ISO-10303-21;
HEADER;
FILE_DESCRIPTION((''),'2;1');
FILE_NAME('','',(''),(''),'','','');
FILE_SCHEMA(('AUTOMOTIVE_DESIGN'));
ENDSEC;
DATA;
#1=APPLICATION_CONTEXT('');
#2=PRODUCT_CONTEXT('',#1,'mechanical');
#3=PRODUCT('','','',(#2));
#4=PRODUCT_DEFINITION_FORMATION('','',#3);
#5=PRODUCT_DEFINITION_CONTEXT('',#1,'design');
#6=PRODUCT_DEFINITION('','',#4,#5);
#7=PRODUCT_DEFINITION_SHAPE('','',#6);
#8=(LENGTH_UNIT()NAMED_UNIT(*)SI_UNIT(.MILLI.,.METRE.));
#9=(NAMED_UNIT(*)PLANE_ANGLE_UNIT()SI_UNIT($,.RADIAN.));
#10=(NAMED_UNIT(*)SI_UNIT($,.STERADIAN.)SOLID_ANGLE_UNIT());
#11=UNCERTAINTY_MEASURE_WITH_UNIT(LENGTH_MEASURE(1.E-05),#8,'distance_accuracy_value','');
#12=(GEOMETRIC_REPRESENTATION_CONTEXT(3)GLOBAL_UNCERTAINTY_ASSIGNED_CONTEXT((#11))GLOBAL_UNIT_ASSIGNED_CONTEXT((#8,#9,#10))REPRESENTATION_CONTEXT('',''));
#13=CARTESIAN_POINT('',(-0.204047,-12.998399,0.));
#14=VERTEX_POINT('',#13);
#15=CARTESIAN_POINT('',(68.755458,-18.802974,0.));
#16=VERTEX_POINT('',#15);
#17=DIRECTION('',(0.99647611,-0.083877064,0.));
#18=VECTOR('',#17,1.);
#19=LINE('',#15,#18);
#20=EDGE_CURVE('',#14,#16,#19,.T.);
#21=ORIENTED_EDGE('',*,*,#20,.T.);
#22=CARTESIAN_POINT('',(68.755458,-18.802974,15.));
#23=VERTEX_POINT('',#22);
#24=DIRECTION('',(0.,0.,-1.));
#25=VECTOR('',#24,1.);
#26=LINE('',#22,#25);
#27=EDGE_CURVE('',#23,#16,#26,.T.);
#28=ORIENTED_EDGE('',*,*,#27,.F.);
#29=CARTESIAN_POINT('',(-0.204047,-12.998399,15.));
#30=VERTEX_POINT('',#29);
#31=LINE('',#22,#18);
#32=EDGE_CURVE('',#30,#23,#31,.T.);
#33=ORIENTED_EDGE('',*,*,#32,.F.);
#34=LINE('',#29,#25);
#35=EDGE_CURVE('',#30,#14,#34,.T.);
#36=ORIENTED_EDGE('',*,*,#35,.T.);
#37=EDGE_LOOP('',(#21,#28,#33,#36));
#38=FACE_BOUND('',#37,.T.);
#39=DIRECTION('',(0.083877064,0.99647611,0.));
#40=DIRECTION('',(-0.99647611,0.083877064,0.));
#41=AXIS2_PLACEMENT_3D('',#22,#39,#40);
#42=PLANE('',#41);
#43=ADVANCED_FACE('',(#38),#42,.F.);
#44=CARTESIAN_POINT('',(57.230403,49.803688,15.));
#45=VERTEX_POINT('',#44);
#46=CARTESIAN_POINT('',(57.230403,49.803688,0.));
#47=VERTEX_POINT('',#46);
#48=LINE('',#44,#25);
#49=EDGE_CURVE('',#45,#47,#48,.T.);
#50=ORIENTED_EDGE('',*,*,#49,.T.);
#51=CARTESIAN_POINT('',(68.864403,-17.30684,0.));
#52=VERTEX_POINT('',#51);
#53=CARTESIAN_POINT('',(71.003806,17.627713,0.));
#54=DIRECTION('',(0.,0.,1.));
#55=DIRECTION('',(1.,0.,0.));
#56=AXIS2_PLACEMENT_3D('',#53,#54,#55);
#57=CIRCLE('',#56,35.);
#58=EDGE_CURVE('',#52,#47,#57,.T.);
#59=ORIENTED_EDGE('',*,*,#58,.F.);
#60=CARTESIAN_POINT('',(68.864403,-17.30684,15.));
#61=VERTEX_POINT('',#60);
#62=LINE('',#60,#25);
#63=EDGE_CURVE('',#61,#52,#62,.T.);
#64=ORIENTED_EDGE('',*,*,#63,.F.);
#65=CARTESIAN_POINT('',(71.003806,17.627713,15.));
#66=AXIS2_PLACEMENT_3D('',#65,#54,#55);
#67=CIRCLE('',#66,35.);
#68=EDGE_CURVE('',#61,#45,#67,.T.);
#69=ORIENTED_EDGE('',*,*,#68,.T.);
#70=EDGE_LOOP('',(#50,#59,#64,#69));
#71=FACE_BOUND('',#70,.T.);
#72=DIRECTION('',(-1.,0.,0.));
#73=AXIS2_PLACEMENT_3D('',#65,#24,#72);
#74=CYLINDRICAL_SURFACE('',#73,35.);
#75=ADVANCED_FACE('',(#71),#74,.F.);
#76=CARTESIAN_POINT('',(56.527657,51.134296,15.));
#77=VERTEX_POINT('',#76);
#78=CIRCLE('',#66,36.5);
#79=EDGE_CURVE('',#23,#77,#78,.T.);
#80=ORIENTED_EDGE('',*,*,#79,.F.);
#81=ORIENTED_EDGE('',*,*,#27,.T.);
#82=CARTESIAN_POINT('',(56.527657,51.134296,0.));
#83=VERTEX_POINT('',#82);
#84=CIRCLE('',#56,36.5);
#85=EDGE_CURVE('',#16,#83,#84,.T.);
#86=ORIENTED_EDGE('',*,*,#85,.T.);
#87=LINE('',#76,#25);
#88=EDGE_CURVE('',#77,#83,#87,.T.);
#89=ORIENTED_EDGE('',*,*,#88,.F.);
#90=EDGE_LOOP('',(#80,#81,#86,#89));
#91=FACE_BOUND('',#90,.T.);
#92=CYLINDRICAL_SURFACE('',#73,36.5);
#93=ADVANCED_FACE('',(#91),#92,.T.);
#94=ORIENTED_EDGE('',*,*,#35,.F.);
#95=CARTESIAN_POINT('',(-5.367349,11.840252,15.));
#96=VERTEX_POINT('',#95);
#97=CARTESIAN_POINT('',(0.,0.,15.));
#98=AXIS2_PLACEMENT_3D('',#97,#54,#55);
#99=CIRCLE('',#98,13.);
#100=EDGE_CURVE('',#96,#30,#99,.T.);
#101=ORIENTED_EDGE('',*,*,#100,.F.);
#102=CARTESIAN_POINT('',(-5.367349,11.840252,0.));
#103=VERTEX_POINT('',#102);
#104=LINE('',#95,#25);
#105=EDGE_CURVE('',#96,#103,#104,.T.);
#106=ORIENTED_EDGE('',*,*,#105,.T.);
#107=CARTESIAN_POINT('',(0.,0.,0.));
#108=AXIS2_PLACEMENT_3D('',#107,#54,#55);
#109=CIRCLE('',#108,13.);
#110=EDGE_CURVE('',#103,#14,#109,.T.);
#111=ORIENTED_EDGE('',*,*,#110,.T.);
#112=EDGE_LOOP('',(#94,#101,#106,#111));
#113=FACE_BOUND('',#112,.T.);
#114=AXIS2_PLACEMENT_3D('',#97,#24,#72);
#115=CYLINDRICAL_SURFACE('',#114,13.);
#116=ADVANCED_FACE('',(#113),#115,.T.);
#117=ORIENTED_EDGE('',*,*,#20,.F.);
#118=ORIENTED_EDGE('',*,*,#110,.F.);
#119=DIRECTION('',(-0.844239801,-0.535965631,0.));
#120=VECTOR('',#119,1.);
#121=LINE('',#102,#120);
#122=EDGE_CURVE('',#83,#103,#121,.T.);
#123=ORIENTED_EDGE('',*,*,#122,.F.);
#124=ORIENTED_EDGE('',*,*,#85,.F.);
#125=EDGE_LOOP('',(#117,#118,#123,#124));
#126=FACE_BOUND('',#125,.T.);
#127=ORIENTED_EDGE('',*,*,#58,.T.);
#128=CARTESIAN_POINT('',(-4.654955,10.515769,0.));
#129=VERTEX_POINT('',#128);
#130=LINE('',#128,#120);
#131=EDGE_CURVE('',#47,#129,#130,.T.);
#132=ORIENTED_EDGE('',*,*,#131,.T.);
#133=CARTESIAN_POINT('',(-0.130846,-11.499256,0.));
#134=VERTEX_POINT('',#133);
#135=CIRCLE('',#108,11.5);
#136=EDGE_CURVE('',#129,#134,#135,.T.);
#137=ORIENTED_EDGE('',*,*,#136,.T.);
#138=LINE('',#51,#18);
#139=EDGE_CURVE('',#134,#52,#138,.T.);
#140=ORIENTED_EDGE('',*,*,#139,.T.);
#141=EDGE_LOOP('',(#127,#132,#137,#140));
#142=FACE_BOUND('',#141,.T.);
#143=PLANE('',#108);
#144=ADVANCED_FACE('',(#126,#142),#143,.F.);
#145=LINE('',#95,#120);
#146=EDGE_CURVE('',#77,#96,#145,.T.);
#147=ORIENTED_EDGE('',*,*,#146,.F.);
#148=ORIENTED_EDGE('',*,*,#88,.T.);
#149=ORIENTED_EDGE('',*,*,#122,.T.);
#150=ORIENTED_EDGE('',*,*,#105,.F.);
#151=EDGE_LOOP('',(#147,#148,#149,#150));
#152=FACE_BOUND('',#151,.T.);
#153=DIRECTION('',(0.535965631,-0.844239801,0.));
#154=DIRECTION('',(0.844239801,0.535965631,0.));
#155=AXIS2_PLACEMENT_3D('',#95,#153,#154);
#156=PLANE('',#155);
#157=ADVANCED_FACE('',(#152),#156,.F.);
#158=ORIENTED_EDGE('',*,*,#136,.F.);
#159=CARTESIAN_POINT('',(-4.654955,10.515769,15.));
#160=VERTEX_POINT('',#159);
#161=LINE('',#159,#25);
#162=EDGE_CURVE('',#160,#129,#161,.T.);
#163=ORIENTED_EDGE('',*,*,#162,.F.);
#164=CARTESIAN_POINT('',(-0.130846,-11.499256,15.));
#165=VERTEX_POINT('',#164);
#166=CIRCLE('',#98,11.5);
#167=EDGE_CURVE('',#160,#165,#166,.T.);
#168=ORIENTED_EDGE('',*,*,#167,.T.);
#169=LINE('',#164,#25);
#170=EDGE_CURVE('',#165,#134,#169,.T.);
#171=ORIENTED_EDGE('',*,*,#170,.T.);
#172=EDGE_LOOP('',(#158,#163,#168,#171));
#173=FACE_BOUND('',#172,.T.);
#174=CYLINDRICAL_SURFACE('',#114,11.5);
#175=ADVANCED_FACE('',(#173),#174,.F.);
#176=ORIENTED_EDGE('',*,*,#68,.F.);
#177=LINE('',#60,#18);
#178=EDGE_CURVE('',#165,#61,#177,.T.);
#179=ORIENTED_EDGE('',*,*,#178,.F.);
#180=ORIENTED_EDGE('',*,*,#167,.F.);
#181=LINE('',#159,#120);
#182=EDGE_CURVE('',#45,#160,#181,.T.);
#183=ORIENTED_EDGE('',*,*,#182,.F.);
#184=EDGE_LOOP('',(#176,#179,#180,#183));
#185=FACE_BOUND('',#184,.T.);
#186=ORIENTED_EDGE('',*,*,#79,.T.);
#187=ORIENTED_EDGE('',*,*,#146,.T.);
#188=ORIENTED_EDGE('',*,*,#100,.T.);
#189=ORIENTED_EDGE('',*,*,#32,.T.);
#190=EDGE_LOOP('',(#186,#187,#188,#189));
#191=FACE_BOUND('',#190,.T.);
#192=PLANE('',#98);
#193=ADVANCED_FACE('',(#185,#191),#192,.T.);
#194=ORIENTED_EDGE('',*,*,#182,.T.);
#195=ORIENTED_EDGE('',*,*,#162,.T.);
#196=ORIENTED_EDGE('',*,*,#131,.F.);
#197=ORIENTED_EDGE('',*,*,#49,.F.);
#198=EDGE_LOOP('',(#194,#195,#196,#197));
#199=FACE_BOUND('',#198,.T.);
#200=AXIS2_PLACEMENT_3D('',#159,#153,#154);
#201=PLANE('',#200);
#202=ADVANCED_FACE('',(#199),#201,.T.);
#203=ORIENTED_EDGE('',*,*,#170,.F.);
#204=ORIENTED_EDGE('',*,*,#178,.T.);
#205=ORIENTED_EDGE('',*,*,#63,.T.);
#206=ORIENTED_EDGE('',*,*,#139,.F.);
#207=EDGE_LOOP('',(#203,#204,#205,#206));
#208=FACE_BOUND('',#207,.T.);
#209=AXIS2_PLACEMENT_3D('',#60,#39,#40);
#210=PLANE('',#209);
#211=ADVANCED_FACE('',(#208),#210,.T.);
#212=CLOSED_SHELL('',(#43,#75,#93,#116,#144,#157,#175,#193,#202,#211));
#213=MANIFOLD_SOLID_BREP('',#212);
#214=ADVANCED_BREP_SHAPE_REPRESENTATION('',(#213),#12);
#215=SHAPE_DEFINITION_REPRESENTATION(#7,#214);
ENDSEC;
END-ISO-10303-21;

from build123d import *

# Parameters (mm, degrees)
BOSS_EXTRUDE1_DEPTH = 15


with BuildPart() as part:
    # Sketch1 → Boss-Extrude1 (new body)
    with BuildSketch(Plane.XY):
        with BuildLine():
            Line((-5.367349021, 11.840251876), (56.52765697, 51.134295925))
            ThreePointArc((56.52765697, 51.134295925), (106.958396704, 23.913997358), (68.755458093, -18.802974044))
            Line((68.755458093, -18.802974044), (-0.204046973, -12.998398549))
            ThreePointArc((-0.204046973, -12.998398549), (-12.727912321, -2.645798167), (-5.367349021, 11.840251876))
        make_face()
        with BuildLine():
            Line((-4.654955125, 10.515768768), (57.2304031, 49.803687933))
            ThreePointArc((57.2304031, 49.803687933), (105.489455803, 23.606000624), (68.864403257, -17.306839832))
            Line((68.864403257, -17.306839832), (-0.130846251, -11.499255596))
            ThreePointArc((-0.130846251, -11.499255596), (-11.264603772, -2.314887009), (-4.654955125, 10.515768768))
        make_face(mode=Mode.SUBTRACT)
    extrude(amount=BOSS_EXTRUDE1_DEPTH)


solid = part.part
